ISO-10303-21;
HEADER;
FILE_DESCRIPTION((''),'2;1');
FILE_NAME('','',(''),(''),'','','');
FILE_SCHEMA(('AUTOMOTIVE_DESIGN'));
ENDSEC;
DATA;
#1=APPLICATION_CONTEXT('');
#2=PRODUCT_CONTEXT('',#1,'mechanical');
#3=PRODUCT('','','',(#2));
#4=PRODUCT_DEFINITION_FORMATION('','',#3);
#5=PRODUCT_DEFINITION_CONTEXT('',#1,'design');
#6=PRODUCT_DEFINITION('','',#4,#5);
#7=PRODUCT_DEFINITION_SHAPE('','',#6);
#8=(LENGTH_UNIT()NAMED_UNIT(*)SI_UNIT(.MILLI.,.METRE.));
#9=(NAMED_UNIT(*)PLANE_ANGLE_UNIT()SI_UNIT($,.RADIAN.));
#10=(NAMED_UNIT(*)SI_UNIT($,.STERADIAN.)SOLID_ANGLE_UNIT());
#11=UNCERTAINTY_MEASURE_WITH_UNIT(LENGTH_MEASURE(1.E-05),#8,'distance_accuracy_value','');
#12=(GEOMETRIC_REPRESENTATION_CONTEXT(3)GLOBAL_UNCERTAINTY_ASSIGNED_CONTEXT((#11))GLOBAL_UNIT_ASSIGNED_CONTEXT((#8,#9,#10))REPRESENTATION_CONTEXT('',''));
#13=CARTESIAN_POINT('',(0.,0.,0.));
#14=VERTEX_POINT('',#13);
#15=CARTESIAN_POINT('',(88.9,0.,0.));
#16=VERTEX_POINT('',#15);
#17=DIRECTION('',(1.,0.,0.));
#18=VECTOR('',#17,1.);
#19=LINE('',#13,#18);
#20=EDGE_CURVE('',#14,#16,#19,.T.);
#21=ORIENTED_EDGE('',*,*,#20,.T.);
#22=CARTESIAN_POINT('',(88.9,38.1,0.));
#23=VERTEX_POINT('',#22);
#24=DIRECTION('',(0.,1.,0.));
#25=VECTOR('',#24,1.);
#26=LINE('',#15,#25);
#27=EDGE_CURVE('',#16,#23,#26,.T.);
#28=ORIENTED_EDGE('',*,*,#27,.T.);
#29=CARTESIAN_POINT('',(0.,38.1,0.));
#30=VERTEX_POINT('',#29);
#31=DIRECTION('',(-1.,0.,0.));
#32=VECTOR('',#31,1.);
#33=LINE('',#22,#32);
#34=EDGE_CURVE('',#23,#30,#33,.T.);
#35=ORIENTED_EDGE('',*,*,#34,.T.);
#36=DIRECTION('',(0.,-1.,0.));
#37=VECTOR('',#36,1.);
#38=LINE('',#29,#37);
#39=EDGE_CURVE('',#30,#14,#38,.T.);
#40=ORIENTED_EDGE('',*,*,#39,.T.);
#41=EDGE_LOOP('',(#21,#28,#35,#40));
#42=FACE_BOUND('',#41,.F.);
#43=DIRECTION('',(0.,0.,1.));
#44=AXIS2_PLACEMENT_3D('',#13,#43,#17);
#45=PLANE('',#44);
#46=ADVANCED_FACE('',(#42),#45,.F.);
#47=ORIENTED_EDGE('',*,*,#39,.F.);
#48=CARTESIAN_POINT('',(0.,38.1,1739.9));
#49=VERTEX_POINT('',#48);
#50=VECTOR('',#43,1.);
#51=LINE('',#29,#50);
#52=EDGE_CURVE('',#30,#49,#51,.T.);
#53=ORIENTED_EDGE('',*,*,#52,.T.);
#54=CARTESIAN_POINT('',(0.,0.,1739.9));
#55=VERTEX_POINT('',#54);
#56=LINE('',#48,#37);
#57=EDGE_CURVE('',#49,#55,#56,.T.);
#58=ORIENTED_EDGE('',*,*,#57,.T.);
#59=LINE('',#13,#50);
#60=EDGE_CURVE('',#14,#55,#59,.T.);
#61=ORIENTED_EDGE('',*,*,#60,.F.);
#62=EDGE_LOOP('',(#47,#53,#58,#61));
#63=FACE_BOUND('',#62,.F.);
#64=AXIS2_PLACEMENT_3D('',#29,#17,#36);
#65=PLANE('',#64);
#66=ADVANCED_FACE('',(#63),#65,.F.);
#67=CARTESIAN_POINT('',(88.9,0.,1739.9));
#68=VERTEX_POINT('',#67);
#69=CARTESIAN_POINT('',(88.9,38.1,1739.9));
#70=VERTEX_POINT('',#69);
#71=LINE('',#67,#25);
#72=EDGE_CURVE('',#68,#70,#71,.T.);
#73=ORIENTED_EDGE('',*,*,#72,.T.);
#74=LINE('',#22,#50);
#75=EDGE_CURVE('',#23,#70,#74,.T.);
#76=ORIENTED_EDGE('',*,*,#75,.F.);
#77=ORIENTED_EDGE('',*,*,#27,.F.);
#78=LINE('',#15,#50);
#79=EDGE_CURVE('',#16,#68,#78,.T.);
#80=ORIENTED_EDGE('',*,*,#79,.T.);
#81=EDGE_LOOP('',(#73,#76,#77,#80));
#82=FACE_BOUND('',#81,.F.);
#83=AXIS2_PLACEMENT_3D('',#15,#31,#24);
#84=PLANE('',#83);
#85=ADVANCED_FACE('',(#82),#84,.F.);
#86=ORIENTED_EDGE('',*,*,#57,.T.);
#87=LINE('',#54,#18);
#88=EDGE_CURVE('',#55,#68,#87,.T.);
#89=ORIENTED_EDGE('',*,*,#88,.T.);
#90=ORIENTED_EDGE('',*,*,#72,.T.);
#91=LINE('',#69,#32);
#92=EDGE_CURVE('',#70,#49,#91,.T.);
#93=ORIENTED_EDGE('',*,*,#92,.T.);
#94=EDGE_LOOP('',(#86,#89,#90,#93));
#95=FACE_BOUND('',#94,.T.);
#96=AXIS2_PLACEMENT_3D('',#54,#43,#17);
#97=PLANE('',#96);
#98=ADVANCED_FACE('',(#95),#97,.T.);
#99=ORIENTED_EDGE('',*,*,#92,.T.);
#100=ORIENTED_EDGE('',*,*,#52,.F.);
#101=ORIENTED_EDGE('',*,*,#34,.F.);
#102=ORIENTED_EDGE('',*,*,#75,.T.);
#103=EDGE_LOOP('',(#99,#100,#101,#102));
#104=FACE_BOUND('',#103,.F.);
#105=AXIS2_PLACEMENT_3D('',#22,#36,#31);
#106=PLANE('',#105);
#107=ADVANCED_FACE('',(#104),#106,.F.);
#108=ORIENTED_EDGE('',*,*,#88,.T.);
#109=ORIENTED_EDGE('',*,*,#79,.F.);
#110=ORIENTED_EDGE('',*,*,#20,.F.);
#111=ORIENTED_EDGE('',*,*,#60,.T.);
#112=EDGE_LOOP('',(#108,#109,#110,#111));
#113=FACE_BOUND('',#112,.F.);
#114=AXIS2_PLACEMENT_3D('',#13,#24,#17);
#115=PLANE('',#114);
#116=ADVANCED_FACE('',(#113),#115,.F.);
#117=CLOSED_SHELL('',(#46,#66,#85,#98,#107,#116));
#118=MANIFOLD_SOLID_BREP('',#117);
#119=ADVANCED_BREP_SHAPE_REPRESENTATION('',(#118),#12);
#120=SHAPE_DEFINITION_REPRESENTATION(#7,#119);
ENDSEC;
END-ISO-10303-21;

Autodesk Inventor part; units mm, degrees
ref_plane "YZ Plane" through (0, 0, 0) normal (1, 0, 0) x (0, 1, 0)
ref_plane "XZ Plane" through (0, 0, 0) normal (0, 1, 0) x (-1, 0, 0)
ref_plane "XY Plane" through (0, 0, 0) normal (0, 0, 1) x (1, 0, 0)
sketch "Sketch1" plane through (0, 0, 0) normal (0, 0, 1) x (1, 0, 0)
  line L0 (0, 0) -> (88.9, 0)
  line L1 (88.9, 0) -> (88.9, 38.1)
  line L2 (88.9, 38.1) -> (0, 38.1)
  line L3 (0, 38.1) -> (0, 0)
  dimension "d0" = 88.9
  dimension "d1" = 38.1
extrude "Extrusion1" add sketch "Sketch1" along normal blind 1739.9
properties part number "Plate_With_Length_66.5_Inches" material "Wood (Birch)"
